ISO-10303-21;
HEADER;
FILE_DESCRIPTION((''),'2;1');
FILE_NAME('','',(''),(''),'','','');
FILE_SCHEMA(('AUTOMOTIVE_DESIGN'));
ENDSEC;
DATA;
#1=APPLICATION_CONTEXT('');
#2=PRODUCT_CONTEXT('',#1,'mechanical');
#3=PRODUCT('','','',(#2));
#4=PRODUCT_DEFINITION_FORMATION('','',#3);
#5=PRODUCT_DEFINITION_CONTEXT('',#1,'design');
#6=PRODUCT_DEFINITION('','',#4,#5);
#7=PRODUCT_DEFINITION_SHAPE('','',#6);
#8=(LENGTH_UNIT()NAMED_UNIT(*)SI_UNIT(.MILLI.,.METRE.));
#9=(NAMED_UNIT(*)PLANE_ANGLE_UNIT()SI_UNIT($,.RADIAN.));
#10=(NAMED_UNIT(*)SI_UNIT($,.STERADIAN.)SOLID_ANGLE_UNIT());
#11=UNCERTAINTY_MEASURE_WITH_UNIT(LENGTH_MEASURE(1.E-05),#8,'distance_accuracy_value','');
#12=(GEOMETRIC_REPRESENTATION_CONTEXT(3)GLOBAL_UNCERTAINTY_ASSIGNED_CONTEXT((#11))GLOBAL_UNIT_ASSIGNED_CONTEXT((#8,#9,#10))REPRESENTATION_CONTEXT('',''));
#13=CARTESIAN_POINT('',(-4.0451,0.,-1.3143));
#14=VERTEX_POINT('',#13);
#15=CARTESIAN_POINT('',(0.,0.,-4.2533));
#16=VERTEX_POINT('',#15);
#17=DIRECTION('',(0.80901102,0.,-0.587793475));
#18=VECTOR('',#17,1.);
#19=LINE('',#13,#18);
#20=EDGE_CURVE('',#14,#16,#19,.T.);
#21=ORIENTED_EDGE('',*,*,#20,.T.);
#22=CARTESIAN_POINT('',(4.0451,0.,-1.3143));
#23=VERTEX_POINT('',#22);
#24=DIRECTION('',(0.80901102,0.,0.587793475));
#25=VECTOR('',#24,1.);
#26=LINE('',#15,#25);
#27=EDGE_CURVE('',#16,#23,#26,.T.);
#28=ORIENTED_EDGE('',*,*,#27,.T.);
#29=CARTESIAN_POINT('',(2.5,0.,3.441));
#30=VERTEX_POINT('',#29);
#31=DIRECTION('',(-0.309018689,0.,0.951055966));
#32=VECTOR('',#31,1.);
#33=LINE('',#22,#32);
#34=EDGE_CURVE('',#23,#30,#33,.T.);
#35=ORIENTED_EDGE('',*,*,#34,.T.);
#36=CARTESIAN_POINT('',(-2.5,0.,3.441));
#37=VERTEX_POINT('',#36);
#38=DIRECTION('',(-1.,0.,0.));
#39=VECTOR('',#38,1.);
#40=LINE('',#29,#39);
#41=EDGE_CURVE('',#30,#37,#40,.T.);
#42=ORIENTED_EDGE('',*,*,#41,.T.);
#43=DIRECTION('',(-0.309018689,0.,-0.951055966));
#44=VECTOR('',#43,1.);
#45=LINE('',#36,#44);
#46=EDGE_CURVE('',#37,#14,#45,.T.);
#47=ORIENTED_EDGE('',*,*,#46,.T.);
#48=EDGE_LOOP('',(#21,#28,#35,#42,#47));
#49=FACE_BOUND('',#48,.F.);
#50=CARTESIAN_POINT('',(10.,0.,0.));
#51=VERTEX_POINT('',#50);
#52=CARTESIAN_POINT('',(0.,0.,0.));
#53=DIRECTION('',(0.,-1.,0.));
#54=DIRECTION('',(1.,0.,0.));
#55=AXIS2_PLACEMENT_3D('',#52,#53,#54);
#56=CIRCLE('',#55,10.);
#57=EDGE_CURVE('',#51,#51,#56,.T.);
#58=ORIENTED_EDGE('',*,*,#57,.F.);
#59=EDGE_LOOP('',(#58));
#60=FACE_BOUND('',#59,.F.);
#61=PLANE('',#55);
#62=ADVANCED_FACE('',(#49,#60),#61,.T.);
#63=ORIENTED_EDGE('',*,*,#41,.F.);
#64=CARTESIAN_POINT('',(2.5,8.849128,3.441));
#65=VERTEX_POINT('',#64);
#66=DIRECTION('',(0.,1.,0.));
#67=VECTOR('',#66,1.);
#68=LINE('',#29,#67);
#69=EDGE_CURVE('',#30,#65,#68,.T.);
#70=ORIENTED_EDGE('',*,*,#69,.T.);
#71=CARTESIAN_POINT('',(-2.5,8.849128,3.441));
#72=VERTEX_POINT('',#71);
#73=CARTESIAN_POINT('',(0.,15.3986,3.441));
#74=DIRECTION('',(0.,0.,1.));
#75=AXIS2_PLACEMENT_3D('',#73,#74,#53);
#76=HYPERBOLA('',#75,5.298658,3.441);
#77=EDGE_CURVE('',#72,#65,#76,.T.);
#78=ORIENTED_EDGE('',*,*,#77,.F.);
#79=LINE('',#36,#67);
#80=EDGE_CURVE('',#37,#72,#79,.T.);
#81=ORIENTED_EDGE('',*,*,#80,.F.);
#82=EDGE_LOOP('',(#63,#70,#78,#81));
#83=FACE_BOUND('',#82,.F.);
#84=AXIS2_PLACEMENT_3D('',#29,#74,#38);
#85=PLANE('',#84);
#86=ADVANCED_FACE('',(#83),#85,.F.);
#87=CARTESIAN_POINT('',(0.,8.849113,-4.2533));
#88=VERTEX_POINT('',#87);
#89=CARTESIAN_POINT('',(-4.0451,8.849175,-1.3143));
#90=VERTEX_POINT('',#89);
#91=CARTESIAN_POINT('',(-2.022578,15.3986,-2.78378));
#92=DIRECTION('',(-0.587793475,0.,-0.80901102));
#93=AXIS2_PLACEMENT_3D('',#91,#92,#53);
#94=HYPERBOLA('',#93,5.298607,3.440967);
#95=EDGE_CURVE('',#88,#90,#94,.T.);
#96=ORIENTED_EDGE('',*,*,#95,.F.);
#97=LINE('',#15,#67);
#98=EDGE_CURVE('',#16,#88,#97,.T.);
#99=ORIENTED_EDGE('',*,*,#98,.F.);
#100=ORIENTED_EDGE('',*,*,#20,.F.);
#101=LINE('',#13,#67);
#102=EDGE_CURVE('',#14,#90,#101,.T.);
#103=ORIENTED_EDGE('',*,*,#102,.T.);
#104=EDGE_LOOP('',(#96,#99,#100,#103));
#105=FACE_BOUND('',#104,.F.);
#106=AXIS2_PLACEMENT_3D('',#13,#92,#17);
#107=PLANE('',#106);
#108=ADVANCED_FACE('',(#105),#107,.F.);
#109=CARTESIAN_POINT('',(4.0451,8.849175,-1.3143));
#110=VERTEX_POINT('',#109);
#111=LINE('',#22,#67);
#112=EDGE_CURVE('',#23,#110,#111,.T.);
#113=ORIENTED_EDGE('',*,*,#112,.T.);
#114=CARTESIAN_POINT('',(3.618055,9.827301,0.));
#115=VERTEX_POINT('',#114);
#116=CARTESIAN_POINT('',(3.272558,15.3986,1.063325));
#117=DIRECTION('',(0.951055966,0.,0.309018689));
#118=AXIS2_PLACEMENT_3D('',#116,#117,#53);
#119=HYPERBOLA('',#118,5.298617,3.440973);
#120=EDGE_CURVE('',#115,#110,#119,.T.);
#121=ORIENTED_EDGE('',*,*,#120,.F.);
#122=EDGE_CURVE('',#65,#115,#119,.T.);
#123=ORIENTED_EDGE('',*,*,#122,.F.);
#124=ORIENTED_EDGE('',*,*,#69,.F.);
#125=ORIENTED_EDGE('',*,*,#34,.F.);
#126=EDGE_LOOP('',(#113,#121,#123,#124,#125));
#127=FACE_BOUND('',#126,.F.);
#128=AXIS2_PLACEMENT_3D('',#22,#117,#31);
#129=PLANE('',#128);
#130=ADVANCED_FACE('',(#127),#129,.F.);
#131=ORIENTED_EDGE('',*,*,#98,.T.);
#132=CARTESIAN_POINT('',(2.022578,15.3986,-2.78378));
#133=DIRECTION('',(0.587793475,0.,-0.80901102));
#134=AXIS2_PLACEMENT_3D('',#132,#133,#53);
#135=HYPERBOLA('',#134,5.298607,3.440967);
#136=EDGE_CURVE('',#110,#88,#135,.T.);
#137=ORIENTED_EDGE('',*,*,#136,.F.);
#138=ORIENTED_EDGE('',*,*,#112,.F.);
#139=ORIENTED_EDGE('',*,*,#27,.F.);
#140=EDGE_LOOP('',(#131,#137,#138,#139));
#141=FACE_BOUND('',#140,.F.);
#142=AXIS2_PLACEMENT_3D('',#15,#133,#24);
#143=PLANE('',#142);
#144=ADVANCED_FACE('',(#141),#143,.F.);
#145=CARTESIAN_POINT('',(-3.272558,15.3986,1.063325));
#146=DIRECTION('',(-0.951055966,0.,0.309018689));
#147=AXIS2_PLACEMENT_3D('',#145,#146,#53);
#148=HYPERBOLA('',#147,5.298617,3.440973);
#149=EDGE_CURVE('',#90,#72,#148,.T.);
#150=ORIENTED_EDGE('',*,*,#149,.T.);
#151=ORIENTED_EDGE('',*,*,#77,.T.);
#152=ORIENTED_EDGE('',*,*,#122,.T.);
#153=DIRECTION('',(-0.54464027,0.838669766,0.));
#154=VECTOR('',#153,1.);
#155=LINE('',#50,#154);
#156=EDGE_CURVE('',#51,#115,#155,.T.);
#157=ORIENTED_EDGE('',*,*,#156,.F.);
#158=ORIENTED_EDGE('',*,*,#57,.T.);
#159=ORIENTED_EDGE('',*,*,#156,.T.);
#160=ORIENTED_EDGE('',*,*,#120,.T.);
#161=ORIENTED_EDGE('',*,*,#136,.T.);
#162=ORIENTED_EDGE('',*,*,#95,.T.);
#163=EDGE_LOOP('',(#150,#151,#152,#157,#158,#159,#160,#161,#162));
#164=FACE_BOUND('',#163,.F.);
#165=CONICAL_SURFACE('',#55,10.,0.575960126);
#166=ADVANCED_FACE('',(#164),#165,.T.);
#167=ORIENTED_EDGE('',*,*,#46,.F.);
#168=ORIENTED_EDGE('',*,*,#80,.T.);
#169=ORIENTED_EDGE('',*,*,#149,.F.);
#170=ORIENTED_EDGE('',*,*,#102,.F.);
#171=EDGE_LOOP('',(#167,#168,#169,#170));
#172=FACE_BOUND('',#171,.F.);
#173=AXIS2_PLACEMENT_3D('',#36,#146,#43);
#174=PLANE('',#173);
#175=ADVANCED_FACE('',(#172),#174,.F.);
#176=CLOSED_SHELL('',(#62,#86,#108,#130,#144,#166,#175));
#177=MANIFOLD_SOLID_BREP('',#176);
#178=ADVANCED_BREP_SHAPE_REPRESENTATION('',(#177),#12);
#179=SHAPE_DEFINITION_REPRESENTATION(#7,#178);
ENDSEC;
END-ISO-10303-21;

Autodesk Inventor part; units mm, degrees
ref_plane "YZ Plane" through (0, 0, 0) normal (1, 0, 0) x (0, 1, 0)
ref_plane "XZ Plane" through (0, 0, 0) normal (0, 1, 0) x (-1, 0, 0)
ref_plane "XY Plane" through (0, 0, 0) normal (0, 0, 1) x (1, 0, 0)
sketch "Эскиз1" plane through (0, 0, 0) normal (0, 0, 1) x (1, 0, 0)
  line L0 (0, 0) -> (10, 0)
  line L1 (10, 0) -> (0, 15.3986)
  line L2 (0, 15.3986) -> (0, 0)
  dimension "d0" = 10
  dimension "d1" = 57
revolve "Вращение1" add sketch "Эскиз1" angle 360 about axis through (0, 15.3986, 0) along (0, -1, 0)
sketch "Эскиз2" plane through (0, 0, 0) normal (0, 1, 0) x (-1, 0, 0)
  line L0 (0, -4.2533) -> (-4.0451, -1.3143)
  line L1 (-4.0451, -1.3143) -> (-2.5, 3.441)
  line L2 (-2.5, 3.441) -> (2.5, 3.441)
  line L3 (2.5, 3.441) -> (4.0451, -1.3143)
  line L4 (4.0451, -1.3143) -> (0, -4.2533)
  point P0 (0, 0)
  point P1 (0, 0)
  dimension "d3" = 5
extrude "Выдавливание1" cut sketch "Эскиз2" along normal blind 40
properties part number "1"
